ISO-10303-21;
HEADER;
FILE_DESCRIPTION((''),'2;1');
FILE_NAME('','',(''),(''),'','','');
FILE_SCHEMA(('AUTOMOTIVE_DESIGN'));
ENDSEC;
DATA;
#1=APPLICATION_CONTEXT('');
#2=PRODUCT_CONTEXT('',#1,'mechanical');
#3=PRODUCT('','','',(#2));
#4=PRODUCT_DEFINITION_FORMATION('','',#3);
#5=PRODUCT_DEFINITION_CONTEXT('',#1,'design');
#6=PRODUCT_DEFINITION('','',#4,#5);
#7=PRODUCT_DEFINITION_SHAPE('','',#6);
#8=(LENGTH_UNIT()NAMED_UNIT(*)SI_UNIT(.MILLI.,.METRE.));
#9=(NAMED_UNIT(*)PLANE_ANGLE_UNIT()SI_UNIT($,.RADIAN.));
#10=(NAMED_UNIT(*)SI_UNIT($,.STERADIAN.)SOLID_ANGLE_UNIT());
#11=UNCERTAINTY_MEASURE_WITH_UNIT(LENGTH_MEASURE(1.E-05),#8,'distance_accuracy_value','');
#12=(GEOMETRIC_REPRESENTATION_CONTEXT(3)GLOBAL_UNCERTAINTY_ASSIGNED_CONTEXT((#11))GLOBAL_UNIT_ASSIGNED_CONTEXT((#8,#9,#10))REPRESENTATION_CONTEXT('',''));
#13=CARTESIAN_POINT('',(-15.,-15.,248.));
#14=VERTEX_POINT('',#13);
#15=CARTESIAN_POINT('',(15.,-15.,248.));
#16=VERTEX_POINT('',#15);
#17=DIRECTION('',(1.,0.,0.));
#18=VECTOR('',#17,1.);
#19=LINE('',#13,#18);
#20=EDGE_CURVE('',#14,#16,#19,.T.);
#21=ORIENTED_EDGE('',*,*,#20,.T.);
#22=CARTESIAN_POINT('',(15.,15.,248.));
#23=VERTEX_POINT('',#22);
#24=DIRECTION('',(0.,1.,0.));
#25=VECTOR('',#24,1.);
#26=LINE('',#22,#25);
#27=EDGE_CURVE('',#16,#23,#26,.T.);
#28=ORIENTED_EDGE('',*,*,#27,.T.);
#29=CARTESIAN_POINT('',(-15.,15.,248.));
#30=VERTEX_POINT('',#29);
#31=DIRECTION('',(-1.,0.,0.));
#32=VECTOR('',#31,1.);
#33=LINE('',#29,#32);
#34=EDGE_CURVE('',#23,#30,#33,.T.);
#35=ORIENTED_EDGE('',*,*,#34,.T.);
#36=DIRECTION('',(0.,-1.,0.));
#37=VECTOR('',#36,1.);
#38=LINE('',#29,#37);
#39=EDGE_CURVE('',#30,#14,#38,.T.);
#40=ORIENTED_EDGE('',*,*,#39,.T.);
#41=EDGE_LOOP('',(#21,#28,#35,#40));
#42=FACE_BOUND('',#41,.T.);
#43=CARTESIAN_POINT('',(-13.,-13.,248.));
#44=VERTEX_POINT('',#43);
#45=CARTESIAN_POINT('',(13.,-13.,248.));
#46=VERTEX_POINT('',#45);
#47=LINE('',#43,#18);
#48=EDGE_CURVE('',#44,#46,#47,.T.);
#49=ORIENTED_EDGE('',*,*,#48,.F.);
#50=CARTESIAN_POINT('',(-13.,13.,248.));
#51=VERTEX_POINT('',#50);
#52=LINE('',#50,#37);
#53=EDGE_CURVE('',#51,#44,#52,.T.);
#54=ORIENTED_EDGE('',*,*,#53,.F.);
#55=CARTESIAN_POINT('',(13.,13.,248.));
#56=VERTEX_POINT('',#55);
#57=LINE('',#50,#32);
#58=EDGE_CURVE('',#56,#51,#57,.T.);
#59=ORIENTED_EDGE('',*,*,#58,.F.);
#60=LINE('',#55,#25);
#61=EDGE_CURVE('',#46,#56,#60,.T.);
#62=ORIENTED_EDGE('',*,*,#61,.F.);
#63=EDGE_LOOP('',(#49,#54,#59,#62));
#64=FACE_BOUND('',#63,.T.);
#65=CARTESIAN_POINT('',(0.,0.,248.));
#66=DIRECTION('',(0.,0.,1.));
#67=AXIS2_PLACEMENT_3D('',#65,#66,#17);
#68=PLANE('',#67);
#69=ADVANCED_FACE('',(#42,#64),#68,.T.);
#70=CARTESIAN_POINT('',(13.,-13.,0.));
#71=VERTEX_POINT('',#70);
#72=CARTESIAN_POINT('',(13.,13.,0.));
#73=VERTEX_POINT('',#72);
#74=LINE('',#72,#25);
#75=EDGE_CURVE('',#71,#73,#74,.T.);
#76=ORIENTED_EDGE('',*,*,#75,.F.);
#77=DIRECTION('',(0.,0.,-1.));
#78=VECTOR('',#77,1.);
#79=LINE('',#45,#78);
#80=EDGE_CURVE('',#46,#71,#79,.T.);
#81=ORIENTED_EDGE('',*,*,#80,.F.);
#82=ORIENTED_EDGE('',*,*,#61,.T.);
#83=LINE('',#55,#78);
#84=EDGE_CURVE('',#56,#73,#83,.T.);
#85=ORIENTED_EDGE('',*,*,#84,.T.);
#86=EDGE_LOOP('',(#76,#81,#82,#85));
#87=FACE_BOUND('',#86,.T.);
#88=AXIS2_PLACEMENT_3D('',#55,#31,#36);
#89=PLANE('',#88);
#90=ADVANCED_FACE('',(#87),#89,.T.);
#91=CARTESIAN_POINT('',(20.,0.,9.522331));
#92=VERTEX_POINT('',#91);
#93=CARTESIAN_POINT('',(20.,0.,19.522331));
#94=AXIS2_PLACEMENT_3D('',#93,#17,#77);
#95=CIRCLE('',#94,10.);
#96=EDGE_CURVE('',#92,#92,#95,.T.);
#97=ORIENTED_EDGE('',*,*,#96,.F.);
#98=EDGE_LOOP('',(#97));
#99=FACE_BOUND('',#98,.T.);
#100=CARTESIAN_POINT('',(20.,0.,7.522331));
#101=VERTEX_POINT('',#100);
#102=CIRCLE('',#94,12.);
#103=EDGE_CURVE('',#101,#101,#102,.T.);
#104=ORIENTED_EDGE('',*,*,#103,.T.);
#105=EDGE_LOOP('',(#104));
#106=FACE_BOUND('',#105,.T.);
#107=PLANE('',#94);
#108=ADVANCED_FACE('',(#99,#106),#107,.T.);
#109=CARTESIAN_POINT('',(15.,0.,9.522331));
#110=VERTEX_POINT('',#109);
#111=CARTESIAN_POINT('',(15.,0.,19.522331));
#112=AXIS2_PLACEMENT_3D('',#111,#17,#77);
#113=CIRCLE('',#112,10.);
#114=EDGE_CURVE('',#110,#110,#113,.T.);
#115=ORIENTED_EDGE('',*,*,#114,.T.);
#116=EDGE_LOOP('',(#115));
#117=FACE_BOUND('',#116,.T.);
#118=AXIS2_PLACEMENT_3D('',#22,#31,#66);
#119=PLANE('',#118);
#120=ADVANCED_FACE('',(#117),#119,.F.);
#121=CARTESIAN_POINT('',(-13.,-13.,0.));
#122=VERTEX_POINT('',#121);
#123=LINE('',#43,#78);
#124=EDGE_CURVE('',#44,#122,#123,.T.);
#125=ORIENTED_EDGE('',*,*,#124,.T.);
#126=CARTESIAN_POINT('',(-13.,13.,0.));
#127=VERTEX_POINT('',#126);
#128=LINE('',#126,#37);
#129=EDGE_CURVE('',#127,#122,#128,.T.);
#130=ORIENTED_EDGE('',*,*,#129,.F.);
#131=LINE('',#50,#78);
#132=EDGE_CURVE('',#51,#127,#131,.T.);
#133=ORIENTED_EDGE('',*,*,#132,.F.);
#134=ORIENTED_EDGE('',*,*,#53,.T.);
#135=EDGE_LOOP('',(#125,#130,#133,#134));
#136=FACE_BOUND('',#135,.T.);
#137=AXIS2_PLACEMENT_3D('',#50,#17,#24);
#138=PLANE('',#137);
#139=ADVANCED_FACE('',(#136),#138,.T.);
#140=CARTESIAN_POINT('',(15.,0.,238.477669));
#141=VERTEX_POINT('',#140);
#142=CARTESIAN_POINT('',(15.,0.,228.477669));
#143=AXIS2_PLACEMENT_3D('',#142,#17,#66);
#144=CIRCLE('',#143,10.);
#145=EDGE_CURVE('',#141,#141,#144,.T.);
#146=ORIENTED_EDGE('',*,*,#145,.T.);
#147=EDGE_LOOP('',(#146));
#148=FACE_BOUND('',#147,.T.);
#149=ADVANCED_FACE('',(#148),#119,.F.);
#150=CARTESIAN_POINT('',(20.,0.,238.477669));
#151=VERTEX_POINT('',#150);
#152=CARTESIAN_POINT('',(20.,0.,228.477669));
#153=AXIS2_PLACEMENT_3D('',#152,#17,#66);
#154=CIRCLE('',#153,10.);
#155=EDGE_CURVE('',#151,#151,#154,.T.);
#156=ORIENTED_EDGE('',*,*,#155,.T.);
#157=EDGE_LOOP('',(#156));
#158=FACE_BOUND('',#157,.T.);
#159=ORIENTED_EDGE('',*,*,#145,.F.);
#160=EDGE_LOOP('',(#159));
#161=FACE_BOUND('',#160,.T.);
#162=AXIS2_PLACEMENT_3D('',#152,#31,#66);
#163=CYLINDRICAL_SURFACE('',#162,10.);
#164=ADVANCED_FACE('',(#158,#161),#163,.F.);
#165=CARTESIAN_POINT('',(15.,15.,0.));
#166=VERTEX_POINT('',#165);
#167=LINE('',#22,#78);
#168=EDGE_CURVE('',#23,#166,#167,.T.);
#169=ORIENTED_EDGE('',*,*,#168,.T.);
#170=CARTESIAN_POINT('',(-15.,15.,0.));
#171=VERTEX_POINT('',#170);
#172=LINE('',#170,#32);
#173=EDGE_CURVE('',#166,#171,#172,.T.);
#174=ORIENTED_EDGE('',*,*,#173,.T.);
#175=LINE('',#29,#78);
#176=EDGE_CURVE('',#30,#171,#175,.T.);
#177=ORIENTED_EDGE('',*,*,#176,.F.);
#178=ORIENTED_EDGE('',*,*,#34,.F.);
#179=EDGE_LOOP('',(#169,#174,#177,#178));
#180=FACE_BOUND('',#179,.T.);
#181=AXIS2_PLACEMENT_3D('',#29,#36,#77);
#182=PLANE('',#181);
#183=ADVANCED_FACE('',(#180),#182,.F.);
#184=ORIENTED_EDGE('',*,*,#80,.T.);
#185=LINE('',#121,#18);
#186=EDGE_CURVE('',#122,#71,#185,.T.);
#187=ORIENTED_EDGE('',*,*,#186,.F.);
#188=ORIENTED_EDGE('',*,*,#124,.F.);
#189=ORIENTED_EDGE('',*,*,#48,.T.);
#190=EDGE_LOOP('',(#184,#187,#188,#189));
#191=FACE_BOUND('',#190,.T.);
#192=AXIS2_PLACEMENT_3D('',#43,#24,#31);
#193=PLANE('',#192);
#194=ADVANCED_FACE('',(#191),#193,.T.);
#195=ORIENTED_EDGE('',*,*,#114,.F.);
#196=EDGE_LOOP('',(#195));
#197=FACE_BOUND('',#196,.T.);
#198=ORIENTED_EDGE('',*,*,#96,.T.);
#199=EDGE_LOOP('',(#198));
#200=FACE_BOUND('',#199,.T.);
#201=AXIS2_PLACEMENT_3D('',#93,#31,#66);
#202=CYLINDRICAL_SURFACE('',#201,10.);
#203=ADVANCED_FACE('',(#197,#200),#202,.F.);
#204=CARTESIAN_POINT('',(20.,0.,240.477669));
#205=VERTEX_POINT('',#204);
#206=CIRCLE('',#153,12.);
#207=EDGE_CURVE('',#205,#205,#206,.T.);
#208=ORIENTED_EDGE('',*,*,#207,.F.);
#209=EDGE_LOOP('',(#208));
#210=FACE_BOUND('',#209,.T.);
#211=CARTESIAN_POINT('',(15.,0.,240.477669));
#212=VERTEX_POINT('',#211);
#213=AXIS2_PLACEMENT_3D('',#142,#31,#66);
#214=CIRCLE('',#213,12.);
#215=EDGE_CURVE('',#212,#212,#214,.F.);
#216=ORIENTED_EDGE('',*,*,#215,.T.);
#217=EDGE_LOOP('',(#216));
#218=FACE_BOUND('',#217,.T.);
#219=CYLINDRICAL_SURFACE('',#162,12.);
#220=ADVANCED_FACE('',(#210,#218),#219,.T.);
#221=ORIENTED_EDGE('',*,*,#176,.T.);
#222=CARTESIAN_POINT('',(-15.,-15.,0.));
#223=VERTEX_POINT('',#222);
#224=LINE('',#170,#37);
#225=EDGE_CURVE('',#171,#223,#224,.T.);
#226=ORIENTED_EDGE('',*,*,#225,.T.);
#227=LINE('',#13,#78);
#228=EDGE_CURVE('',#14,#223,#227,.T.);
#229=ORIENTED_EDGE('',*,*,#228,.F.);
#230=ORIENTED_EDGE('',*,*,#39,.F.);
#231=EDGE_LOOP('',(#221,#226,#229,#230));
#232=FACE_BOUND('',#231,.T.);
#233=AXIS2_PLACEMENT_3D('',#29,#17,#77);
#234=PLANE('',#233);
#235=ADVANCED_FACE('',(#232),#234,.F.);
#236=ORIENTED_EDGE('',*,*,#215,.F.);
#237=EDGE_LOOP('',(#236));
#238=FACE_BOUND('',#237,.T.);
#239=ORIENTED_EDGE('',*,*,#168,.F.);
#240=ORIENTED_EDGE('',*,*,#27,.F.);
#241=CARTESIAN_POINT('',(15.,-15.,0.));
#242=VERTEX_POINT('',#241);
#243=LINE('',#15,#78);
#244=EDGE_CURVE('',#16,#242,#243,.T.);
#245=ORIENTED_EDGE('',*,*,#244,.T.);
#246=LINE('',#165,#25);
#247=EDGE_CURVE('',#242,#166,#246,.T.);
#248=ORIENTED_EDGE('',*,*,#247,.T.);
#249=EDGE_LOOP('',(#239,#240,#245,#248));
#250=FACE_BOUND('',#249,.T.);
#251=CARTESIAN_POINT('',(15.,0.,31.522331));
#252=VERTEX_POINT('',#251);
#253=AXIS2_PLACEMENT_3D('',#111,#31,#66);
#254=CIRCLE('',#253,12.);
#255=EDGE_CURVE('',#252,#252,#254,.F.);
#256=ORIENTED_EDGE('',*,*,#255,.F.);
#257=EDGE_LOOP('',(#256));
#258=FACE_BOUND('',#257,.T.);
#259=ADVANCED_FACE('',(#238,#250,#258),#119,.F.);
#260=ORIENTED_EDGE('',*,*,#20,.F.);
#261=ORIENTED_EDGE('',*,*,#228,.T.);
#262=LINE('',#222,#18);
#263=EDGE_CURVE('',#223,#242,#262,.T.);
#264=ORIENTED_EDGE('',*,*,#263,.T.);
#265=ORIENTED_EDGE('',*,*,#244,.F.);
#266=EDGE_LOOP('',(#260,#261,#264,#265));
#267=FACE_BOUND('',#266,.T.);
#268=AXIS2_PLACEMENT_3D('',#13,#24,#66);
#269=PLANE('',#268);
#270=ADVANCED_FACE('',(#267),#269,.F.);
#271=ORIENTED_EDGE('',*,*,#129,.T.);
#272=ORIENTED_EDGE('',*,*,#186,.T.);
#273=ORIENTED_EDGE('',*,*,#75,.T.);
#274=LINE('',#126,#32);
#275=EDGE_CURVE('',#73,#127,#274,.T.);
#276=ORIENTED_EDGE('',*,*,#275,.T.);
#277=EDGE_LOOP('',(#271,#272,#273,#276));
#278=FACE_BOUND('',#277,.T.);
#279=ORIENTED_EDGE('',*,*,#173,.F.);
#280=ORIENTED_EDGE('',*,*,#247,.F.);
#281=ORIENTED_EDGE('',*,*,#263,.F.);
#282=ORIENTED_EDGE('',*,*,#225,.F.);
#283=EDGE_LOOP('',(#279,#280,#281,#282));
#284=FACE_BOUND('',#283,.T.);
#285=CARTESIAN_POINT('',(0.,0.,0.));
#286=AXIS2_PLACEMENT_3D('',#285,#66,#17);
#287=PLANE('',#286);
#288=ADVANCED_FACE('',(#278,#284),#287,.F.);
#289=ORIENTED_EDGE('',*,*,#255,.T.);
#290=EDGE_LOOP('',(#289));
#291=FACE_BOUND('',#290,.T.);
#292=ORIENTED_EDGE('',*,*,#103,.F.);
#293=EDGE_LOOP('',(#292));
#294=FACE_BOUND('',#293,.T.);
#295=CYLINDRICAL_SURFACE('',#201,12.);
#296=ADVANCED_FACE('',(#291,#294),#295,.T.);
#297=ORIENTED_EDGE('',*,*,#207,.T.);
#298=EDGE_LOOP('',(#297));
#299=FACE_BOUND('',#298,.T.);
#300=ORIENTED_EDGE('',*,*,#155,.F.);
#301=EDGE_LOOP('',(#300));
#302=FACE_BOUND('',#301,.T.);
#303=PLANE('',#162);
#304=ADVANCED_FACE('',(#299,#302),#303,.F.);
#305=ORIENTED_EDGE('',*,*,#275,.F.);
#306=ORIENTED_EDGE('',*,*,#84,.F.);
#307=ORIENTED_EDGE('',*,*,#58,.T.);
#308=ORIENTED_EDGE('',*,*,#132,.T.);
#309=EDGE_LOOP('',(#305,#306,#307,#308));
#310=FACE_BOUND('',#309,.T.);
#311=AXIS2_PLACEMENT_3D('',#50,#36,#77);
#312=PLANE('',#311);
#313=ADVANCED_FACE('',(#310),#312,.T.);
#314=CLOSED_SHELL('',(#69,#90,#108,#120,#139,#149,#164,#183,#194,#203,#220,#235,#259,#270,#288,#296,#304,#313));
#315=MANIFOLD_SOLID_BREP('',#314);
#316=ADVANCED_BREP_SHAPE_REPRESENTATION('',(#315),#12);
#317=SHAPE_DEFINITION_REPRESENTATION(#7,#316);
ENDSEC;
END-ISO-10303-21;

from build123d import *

# Parameters (mm, degrees)
SKETCH1_W           = 30
SKETCH1_H           = 30
SKETCH1_W_2         = 26
SKETCH1_H_2         = 26
BOSS_EXTRUDE1_DEPTH = 248
SKETCH2_R           = 12
SKETCH2_R_2         = 10
BOSS_EXTRUDE2_DEPTH = 5


with BuildPart() as part:
    # Sketch1 → Boss-Extrude1 (new body)
    with BuildSketch(Plane.XY):
        Rectangle(SKETCH1_W, SKETCH1_H)
        Rectangle(SKETCH1_W_2, SKETCH1_H_2, mode=Mode.SUBTRACT)
    extrude(amount=BOSS_EXTRUDE1_DEPTH)

    # Sketch2 → Boss-Extrude2 (add)
    # profile 1 of 2: a face of its own
    with BuildSketch(Plane(origin=(15, 0, 0), x_dir=(0, 0, -1), z_dir=(1, 0, 0))):
        with Locations(Location((-19.522331238, 0, 0), (0, 0, 180))):
            Circle(SKETCH2_R)
        with Locations((-19.522331238, 0)):
            Circle(SKETCH2_R_2, mode=Mode.SUBTRACT)
    # profile 2 of 2: a face of its own
    with BuildSketch(Plane(origin=(15, 0, 0), x_dir=(0, 0, -1), z_dir=(1, 0, 0))):
        with Locations(Location((-228.477668762, 0, 0), (0, 0, 180))):
            Circle(SKETCH2_R)
        with Locations(Location((-228.477668762, 0, 0), (0, 0, 180))):
            Circle(SKETCH2_R_2, mode=Mode.SUBTRACT)
    extrude(amount=BOSS_EXTRUDE2_DEPTH)


solid = part.part
